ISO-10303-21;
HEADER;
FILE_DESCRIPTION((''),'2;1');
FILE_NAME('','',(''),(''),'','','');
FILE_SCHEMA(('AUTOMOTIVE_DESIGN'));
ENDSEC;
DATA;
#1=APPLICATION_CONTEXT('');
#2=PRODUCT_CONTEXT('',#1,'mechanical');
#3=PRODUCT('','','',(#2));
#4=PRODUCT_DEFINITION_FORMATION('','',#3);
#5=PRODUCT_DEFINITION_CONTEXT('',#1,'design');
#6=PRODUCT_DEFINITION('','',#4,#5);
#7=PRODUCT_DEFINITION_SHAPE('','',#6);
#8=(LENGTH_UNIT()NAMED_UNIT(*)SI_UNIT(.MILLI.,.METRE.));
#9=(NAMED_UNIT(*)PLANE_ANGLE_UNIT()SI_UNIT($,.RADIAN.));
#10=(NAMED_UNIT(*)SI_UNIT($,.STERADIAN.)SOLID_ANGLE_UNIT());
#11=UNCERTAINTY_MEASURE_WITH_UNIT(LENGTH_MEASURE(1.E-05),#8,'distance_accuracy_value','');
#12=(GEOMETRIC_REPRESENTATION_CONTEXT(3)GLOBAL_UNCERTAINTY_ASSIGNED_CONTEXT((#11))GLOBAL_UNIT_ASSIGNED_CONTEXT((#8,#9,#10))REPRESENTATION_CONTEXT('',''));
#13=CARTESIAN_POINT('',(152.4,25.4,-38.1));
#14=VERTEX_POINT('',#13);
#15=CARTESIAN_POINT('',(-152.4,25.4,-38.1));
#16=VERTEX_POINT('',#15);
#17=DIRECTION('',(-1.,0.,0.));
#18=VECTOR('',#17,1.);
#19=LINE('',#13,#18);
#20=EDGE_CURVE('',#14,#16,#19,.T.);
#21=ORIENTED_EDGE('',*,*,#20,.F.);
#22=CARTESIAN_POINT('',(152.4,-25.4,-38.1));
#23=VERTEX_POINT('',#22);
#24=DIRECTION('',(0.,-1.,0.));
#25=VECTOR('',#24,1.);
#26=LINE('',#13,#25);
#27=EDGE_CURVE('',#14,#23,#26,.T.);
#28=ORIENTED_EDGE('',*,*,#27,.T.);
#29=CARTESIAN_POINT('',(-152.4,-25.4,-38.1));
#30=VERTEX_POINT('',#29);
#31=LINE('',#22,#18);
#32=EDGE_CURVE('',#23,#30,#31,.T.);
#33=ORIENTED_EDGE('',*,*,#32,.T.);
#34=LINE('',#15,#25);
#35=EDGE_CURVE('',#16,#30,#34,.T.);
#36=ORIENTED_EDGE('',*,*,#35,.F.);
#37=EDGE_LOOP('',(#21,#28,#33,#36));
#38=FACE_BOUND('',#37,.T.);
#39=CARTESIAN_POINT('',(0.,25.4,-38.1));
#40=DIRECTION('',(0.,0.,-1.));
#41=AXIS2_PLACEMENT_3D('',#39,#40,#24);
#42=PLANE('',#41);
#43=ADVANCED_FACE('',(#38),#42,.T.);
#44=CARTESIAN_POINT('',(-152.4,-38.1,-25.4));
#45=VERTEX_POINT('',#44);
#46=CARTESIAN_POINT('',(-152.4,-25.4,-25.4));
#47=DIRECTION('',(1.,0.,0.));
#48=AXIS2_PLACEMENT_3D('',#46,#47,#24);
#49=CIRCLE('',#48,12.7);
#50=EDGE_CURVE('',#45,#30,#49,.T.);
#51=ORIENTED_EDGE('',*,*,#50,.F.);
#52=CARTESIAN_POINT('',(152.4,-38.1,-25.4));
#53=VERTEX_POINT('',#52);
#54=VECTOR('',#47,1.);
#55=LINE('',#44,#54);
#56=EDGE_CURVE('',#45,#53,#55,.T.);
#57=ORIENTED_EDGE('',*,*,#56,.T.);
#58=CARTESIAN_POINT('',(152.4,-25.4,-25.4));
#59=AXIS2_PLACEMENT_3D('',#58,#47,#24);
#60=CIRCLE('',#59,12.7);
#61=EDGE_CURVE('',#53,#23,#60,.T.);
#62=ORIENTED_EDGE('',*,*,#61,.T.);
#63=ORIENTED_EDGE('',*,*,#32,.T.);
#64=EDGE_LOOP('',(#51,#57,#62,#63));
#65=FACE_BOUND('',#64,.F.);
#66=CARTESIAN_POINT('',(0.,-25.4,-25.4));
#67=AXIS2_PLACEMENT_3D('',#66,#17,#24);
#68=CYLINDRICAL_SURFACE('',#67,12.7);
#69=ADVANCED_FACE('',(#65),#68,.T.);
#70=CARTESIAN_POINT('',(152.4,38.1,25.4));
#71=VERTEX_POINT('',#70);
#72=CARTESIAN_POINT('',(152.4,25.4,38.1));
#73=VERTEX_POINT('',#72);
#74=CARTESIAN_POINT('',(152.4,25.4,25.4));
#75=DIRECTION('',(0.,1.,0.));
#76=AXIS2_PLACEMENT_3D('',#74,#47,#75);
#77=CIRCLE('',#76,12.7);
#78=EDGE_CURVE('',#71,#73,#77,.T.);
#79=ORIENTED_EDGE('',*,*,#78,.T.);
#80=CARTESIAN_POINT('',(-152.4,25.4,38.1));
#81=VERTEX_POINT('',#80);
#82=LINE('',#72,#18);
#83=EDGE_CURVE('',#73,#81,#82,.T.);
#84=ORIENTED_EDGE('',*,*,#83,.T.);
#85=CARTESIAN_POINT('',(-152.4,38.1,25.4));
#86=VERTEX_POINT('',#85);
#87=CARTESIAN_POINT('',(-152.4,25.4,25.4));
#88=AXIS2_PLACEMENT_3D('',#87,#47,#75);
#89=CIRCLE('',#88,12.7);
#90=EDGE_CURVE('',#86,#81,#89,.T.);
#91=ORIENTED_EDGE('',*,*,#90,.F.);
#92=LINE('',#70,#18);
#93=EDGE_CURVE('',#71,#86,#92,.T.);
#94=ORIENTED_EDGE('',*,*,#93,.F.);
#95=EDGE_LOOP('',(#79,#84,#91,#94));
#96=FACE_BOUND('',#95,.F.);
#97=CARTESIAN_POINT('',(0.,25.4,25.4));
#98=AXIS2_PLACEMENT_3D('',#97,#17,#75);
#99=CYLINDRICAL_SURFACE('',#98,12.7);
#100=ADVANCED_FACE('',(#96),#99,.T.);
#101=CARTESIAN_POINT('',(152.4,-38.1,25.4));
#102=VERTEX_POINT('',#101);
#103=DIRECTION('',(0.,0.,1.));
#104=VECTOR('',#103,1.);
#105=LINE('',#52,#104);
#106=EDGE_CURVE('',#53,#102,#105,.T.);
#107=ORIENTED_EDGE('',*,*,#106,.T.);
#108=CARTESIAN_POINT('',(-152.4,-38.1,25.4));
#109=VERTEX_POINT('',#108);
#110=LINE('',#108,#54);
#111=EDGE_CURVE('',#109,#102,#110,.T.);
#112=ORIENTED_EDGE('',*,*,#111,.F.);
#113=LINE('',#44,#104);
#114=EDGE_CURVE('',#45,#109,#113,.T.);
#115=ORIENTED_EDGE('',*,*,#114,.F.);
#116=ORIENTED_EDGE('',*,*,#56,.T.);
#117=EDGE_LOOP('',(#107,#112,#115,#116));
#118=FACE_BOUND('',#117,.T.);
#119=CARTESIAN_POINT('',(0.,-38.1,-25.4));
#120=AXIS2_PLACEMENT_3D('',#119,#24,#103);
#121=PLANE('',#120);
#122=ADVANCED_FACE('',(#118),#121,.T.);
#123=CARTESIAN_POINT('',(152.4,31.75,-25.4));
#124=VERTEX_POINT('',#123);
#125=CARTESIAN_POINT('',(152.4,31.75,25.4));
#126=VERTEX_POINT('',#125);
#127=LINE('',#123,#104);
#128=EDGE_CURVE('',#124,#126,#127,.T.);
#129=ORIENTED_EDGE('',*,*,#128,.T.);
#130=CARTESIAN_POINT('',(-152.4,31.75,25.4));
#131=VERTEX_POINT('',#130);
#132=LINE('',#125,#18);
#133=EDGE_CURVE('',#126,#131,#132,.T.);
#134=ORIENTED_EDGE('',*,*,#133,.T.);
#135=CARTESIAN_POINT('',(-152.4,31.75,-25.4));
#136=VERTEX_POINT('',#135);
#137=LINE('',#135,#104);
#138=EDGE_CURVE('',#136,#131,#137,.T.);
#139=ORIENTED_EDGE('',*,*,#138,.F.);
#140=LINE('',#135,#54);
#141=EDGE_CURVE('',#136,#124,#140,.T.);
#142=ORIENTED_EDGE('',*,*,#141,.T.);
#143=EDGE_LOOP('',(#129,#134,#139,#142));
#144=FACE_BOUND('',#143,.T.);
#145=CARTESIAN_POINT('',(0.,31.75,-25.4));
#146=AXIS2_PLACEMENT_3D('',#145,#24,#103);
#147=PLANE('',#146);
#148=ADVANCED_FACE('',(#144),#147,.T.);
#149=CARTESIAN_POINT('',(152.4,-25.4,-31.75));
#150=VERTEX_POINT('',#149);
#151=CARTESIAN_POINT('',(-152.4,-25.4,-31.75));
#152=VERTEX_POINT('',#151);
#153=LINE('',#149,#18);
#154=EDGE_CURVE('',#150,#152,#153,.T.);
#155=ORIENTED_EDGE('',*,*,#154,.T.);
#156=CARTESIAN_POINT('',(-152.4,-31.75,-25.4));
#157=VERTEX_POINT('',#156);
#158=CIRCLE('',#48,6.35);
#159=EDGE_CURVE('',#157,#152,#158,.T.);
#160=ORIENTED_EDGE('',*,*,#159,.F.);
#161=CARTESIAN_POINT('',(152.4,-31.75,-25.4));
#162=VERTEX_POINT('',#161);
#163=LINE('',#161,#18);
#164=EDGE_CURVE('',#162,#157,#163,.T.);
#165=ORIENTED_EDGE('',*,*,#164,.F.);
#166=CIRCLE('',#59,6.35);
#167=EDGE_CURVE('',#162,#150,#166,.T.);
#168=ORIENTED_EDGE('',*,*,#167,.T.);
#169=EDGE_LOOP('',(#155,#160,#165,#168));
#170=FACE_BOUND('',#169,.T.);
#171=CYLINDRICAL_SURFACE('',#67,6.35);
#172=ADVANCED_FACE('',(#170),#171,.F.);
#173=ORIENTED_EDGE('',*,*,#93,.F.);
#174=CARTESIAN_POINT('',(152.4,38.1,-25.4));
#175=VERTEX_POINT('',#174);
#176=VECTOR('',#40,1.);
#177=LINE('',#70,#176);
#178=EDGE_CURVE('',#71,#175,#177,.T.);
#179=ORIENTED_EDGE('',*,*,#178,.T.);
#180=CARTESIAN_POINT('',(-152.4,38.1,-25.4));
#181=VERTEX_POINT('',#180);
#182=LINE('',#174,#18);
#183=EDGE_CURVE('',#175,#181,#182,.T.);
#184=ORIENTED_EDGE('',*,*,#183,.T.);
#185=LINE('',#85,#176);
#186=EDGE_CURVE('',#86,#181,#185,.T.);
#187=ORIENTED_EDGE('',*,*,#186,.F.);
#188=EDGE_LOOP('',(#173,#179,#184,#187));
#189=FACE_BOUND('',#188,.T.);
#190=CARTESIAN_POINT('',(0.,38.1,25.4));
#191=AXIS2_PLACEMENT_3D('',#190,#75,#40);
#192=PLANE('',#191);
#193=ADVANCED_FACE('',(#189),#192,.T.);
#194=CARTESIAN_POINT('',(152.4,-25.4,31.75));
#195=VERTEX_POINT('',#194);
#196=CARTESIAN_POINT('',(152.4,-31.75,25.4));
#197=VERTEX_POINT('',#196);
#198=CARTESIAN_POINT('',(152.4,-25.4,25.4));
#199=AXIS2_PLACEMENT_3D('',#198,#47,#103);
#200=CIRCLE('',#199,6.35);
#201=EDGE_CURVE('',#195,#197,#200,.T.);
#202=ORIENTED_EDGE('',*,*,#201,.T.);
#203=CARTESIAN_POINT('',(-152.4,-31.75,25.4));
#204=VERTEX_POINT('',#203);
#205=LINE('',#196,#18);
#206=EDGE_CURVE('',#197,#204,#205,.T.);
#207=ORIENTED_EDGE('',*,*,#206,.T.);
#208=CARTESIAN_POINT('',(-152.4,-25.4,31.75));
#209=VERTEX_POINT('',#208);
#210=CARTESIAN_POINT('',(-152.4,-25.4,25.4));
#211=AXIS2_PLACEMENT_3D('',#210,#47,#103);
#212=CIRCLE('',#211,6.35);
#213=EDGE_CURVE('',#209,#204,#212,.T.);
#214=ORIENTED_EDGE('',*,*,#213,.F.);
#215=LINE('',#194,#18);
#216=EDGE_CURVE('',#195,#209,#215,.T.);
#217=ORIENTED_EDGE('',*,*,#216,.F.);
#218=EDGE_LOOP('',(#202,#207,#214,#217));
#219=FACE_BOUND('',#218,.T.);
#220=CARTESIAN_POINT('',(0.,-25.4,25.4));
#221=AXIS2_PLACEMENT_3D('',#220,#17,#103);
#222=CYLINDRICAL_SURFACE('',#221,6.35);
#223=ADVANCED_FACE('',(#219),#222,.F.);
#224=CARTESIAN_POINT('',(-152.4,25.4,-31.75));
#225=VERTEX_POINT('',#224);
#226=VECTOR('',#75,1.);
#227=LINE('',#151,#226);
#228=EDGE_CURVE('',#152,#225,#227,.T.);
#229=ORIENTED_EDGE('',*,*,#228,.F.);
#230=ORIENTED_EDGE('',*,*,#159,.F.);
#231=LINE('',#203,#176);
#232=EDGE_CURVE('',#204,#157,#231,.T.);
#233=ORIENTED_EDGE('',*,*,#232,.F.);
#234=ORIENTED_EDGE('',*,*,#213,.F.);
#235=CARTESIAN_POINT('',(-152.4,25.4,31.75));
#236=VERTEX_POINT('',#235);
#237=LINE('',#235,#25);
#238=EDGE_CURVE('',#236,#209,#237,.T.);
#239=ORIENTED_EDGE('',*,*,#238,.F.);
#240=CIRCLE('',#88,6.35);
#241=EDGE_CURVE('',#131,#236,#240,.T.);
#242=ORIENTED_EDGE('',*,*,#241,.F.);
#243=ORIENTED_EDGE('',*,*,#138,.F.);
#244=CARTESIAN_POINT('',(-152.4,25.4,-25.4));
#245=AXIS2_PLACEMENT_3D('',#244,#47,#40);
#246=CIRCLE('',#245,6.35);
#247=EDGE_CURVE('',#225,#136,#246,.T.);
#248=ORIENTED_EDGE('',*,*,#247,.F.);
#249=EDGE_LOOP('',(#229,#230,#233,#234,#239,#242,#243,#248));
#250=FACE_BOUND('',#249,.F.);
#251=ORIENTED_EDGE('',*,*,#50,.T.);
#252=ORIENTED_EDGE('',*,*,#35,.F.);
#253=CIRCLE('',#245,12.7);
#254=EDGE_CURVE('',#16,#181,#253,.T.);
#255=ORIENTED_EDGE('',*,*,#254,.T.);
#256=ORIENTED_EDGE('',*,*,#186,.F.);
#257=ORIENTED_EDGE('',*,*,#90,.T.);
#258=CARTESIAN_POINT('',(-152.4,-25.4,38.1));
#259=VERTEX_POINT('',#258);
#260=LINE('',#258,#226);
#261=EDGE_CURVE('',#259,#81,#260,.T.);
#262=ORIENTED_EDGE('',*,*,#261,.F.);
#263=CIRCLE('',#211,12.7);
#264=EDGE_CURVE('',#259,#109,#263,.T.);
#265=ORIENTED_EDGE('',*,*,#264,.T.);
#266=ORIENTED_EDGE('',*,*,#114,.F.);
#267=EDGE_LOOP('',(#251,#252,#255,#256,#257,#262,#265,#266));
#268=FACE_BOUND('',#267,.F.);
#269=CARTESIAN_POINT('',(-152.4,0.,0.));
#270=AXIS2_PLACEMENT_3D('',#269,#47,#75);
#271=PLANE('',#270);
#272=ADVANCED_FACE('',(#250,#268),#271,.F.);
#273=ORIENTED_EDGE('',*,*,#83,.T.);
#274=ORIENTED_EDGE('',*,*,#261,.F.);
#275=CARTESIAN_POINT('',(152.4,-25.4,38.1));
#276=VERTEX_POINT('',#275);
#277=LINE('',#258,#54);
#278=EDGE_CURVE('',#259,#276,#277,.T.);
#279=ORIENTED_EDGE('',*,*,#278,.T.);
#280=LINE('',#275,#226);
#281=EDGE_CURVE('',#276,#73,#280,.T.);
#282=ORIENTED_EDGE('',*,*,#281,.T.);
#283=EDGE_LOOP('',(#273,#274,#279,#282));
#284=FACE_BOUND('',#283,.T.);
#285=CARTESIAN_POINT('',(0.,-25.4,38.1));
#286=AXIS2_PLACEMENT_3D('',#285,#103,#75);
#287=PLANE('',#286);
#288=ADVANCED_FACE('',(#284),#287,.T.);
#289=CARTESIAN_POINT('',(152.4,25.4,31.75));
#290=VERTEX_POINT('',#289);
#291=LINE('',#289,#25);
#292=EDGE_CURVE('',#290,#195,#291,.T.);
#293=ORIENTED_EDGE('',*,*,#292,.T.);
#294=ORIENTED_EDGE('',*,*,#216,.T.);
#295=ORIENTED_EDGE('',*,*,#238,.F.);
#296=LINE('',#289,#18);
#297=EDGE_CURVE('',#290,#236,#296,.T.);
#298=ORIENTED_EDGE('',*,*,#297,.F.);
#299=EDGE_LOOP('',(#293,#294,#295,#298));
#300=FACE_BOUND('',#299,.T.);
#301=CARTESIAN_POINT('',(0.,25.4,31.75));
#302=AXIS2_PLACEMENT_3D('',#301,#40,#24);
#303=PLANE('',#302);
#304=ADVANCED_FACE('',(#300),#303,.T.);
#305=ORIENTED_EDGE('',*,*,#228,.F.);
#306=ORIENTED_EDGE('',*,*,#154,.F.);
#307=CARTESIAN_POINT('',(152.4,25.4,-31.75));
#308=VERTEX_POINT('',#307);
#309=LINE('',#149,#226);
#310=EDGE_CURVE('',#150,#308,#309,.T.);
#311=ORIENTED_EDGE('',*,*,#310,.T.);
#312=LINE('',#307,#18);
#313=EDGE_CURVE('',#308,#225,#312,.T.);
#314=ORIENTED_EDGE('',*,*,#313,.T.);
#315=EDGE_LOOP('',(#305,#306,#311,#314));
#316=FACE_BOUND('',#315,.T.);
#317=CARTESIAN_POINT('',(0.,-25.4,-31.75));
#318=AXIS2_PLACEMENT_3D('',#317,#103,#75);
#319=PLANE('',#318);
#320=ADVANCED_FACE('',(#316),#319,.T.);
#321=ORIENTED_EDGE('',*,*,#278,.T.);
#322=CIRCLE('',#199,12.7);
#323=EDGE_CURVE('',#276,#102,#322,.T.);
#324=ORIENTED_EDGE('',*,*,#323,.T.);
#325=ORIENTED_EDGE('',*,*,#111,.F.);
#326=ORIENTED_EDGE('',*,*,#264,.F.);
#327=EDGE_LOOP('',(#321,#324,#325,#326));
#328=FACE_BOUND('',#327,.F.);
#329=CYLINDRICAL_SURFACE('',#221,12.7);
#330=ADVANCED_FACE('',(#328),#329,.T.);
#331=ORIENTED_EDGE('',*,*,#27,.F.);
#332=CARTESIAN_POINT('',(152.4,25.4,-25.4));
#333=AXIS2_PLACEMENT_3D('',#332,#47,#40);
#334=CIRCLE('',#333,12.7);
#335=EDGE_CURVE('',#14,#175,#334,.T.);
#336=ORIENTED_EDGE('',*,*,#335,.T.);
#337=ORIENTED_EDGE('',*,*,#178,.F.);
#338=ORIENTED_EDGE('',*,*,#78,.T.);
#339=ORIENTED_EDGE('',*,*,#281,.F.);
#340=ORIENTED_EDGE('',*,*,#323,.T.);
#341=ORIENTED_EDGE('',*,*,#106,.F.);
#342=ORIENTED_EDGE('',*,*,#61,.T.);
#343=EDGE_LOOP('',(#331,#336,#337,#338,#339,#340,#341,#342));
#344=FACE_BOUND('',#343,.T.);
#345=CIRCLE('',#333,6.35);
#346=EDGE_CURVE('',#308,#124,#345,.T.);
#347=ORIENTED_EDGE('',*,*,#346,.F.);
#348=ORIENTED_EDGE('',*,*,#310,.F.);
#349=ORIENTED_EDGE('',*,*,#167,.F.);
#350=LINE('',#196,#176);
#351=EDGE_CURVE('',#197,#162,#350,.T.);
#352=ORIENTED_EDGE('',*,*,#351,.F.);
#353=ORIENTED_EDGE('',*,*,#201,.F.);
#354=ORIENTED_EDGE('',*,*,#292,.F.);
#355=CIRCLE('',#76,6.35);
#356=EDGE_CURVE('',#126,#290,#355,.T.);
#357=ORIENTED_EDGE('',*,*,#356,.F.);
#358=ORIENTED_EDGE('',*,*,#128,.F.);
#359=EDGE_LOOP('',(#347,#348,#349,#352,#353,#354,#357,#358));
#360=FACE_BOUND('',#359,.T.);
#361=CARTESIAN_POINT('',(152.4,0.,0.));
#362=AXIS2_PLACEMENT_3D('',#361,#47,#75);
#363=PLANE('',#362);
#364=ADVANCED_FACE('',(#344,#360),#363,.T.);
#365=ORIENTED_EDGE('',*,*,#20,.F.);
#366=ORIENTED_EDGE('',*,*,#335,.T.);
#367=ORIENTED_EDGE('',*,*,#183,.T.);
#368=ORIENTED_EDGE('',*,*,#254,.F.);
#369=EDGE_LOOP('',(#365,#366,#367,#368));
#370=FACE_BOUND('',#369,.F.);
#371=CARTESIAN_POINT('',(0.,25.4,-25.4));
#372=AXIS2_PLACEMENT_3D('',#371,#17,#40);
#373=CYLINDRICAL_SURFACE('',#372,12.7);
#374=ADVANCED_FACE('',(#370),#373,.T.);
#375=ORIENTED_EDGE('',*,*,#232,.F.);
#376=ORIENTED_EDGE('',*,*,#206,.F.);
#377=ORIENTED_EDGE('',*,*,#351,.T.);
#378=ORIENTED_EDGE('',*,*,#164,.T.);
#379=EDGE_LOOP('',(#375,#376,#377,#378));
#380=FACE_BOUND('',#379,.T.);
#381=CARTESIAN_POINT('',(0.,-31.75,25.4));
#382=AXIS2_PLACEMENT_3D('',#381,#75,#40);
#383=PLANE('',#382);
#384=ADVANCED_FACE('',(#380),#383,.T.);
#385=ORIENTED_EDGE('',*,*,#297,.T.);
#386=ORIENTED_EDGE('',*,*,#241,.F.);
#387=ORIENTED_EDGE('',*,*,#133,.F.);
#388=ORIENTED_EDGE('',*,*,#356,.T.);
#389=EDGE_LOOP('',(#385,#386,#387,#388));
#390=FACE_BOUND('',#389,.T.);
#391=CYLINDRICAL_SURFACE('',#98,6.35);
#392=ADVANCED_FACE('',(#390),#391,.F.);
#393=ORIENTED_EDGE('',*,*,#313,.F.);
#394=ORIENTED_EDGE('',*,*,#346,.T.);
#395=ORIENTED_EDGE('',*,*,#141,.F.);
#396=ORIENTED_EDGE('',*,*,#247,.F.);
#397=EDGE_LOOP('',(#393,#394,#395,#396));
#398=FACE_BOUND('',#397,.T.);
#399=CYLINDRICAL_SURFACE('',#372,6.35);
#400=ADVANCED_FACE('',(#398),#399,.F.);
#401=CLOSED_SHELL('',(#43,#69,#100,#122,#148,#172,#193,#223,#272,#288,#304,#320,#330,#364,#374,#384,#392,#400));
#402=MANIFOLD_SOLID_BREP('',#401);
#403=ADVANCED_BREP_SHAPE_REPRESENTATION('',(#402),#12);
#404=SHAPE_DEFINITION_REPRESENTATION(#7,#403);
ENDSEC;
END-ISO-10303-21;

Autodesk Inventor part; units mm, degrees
ref_plane "YZ Plane" through (0, 0, 0) normal (1, 0, 0) x (0, 1, 0)
ref_plane "XZ Plane" through (0, 0, 0) normal (0, 1, 0) x (-1, 0, 0)
ref_plane "XY Plane" through (0, 0, 0) normal (0, 0, 1) x (1, 0, 0)
sketch "Sketch5" plane through (0, 0, 0) normal (1, 0, 0) x (0, 1, 0)
  line L0 (-25.4, 38.1) -> (25.4, 38.1)
  line L1 (38.1, 25.4) -> (38.1, -25.4)
  line L2 (25.4, -38.1) -> (-25.4, -38.1)
  line L3 (-38.1, -25.4) -> (-38.1, 25.4)
  line L4 (-38.1, 38.1) -> (38.1, -38.1) construction
  line L5 (38.1, 38.1) -> (-38.1, -38.1) construction
  arc A0 (38.1, 25.4) -> (25.4, 38.1) centre (25.4, 25.4) ccw
  arc A1 (25.4, -38.1) -> (38.1, -25.4) centre (25.4, -25.4) ccw
  arc A2 (-38.1, -25.4) -> (-25.4, -38.1) centre (-25.4, -25.4) ccw
  arc A3 (-25.4, 38.1) -> (-38.1, 25.4) centre (-25.4, 25.4) ccw
  line L6 (31.75, -25.4) -> (31.75, 25.4)
  arc A4 (31.75, 25.4) -> (25.4, 31.75) centre (25.4, 25.4) ccw
  line L7 (25.4, 31.75) -> (-25.4, 31.75)
  arc A5 (-25.4, 31.75) -> (-31.75, 25.4) centre (-25.4, 25.4) ccw
  line L8 (-31.75, 25.4) -> (-31.75, -25.4)
  arc A6 (-31.75, -25.4) -> (-25.4, -31.75) centre (-25.4, -25.4) ccw
  line L9 (-25.4, -31.75) -> (25.4, -31.75)
  arc A7 (25.4, -31.75) -> (31.75, -25.4) centre (25.4, -25.4) ccw
  point P0 (0, 0)
  dimension "d6" = 76.2
  dimension "d7" = 76.2
  dimension "d8" = 12.7
  dimension "d9" = 6.35
extrude "Extrusion4" add sketch "Sketch5" along normal mid plane 304.8
properties part number "Front Hitch Model-1_Base Tube-3" material "SS304"
